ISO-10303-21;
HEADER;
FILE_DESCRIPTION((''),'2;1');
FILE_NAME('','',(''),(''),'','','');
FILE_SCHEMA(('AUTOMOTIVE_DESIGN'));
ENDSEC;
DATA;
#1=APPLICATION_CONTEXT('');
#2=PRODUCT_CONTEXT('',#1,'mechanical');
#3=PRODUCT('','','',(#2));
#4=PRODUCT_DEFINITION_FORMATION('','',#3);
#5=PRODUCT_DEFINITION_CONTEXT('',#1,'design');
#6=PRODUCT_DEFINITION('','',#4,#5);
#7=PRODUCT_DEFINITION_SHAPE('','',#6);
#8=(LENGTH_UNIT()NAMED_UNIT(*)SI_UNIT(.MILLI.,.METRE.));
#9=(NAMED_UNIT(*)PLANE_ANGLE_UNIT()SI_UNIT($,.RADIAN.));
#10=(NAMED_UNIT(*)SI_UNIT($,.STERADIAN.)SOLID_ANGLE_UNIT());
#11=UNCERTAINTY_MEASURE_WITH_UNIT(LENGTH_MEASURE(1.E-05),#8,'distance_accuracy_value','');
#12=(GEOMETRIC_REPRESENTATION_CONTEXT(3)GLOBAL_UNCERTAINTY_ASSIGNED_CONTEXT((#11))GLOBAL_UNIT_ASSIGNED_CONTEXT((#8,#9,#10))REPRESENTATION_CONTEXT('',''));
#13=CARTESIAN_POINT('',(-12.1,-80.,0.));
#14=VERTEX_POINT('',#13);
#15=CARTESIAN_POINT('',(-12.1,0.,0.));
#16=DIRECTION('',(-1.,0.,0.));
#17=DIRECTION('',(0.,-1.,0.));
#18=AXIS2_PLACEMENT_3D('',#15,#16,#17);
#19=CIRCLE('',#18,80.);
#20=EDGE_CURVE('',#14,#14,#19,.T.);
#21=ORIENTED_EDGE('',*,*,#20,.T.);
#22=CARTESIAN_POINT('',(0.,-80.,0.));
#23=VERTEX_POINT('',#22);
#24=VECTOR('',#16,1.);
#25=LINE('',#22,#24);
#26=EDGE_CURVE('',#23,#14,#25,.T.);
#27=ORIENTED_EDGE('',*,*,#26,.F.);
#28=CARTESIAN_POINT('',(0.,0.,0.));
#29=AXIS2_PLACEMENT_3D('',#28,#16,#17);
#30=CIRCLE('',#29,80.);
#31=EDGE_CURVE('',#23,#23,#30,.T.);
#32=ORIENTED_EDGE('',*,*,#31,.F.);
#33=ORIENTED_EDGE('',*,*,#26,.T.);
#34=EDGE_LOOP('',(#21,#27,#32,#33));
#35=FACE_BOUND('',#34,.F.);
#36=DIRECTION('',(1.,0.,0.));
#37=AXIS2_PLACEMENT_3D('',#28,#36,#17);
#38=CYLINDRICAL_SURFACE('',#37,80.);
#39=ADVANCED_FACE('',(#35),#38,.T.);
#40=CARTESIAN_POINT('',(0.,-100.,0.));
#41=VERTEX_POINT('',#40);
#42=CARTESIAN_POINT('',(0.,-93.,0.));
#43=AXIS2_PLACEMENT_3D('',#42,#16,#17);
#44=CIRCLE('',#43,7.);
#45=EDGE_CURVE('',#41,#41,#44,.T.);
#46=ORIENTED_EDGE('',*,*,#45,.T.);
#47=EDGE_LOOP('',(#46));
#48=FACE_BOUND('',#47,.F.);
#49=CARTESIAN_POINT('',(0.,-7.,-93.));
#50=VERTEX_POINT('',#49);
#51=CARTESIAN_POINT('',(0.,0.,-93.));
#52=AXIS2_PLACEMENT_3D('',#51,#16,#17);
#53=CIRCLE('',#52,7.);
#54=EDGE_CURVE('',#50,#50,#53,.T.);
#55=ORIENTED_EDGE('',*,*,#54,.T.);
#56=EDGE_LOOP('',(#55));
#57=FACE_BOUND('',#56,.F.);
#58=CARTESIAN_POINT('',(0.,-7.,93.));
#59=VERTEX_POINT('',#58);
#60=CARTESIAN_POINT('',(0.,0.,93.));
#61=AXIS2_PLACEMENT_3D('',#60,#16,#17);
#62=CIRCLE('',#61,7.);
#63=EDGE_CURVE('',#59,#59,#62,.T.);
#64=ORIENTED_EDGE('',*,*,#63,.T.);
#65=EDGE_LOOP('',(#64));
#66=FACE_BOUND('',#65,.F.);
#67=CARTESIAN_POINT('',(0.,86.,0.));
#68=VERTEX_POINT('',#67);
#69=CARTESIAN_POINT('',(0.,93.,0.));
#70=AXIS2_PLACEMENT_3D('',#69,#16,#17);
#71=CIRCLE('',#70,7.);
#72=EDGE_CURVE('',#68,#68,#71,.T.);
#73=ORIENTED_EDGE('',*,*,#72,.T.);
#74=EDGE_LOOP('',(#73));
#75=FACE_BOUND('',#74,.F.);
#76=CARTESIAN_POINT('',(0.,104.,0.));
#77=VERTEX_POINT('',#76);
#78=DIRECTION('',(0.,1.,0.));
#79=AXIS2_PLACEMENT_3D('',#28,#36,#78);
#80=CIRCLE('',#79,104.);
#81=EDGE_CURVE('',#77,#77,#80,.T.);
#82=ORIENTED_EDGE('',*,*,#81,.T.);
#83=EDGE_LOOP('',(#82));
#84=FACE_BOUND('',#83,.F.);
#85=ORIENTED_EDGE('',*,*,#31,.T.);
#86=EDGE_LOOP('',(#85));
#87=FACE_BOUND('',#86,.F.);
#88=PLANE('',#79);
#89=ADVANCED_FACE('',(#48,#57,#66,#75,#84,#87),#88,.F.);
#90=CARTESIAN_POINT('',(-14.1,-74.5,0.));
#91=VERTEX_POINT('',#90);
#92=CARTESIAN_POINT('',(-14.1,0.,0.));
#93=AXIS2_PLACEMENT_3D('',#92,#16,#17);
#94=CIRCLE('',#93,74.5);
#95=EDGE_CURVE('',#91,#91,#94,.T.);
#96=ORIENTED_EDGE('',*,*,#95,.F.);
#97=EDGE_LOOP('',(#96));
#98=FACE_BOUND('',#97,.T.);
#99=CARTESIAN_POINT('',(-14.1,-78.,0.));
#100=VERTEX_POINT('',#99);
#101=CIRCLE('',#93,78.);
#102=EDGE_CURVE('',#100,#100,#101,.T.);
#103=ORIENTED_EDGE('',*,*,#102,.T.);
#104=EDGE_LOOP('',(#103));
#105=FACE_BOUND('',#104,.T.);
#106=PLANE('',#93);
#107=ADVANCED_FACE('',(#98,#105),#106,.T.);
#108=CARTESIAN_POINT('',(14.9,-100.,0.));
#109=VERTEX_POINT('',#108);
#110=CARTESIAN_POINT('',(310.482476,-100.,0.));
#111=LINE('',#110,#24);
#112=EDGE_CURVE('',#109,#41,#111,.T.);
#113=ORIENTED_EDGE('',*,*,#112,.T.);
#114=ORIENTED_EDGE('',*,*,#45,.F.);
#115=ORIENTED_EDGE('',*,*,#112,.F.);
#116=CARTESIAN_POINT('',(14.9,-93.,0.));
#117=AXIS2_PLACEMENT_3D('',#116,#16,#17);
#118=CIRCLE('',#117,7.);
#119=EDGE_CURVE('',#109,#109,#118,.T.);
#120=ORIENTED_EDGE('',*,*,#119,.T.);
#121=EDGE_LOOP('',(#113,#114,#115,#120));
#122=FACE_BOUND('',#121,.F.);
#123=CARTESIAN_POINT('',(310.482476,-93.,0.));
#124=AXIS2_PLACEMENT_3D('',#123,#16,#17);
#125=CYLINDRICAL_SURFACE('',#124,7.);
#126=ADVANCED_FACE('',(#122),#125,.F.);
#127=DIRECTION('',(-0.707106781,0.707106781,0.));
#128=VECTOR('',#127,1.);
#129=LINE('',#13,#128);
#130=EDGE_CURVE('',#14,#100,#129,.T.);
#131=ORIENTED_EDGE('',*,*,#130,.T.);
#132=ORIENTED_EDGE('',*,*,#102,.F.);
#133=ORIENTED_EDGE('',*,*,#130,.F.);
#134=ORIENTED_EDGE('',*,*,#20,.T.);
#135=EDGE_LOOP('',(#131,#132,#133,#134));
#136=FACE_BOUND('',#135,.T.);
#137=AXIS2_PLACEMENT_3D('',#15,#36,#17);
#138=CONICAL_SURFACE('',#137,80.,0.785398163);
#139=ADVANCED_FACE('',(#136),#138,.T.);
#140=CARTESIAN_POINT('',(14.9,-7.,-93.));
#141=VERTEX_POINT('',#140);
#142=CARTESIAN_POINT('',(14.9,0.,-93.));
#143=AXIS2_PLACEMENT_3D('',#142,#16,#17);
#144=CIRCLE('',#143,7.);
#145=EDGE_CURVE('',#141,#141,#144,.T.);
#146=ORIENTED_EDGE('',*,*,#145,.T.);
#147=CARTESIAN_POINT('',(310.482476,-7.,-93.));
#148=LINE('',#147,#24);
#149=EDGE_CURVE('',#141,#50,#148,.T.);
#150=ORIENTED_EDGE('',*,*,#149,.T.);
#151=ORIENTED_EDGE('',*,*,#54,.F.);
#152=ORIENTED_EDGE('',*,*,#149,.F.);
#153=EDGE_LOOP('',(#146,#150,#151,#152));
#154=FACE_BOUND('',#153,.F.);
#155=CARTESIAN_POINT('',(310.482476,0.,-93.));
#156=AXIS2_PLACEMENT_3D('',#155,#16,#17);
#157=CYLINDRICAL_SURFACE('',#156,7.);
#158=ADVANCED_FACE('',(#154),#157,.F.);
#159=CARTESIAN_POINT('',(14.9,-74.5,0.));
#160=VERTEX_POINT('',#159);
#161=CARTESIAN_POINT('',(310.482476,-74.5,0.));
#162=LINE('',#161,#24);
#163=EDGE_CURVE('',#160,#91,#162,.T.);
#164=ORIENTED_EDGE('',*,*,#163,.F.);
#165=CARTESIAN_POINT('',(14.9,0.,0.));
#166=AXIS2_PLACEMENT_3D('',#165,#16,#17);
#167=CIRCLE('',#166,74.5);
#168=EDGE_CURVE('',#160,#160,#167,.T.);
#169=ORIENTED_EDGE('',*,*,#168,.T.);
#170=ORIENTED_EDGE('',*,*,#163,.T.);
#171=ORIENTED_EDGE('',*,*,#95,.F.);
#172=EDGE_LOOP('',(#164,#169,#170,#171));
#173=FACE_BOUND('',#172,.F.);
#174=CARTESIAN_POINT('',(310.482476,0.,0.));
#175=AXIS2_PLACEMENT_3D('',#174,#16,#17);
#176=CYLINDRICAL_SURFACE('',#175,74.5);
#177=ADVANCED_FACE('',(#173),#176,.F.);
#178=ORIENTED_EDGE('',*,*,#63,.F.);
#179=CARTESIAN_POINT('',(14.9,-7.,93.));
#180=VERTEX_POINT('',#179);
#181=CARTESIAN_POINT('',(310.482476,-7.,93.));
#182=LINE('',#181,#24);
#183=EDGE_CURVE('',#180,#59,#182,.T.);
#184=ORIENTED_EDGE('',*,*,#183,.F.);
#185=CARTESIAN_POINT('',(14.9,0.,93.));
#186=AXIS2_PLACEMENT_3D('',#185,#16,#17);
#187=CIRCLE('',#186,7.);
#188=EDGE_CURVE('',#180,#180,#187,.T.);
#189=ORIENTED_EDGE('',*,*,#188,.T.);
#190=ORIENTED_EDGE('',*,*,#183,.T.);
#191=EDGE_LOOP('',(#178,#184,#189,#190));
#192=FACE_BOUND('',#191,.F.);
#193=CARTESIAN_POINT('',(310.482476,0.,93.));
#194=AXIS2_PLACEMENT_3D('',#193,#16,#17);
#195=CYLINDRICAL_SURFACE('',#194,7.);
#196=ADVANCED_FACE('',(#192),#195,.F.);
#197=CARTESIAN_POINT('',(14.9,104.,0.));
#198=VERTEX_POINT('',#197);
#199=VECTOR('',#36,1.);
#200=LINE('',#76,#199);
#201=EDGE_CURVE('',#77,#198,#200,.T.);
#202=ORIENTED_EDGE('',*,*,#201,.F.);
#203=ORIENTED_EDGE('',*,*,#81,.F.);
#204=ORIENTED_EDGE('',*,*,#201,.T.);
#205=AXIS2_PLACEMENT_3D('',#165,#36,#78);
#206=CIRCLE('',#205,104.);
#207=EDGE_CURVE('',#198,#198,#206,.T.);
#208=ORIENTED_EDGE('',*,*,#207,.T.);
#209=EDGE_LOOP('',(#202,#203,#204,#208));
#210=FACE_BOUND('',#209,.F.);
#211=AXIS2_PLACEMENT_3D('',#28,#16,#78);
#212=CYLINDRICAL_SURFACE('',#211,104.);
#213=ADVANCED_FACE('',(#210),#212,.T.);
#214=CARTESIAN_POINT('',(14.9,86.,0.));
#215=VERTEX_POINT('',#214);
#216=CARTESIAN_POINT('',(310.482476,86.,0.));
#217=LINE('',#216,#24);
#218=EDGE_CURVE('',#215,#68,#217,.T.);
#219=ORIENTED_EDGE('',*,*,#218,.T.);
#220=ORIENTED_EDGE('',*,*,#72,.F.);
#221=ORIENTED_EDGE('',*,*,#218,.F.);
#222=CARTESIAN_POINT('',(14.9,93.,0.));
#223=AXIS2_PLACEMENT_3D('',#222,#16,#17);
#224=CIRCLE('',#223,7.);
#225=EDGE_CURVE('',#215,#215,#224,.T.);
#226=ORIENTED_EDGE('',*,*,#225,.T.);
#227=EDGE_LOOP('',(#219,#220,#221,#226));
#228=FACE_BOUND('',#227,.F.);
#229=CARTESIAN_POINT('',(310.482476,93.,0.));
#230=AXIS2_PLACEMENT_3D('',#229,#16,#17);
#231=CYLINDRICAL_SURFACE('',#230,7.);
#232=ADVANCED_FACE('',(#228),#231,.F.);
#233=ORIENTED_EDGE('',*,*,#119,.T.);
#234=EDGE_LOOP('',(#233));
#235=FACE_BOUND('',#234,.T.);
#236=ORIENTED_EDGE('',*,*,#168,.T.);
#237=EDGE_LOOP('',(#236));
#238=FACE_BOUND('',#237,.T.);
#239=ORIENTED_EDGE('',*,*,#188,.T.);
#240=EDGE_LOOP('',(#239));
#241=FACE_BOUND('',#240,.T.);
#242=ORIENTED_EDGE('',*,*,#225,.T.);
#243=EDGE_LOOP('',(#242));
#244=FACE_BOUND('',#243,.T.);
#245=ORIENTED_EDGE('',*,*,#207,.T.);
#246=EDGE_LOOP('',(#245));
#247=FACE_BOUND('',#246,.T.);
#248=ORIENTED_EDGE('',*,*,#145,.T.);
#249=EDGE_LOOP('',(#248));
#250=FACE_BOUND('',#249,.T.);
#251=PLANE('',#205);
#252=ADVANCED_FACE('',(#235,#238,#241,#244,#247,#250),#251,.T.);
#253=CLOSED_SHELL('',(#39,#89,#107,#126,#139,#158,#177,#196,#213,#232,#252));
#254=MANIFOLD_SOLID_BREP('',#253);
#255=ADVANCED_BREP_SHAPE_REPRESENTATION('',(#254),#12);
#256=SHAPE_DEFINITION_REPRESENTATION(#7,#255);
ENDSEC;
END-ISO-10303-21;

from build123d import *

# Parameters (mm, degrees)
F0_R     = 104
F1_DEPTH = 14.9
F2_R     = 80
F3_DEPTH = 14.1
F4_SIZE  = 2
F6_D     = 149
F8_D     = 14


with BuildPart() as f1:
    # F0 (on Right) → F1 (new body)
    with BuildSketch(Plane.YZ):
        Circle(F0_R)
    extrude(amount=F1_DEPTH)

    # F2 (on face) → F3 (join)
    with BuildSketch(Plane(origin=(0, 0, 0), x_dir=(0, -1, 0), z_dir=(-1, 0, 0))):
        Circle(F2_R)
    extrude(amount=F3_DEPTH)

    # F4
    f4_edges = [f1.edges().sort_by_distance(p)[0] for p in [
        (-14.1, 80, 0),
    ]]
    chamfer(f4_edges, length=F4_SIZE)

    # F6 (through all)
    with Locations(Plane.YZ.offset(14.9)):
        with Locations((0, 0)):
            Hole(F6_D / 2)

    # F8 (through all)
    with Locations(Plane.YZ.offset(14.9)):
        with Locations((93, 0), (0, -93), (-93, 0), (0, 93)):
            Hole(F8_D / 2)


solid = f1.part
